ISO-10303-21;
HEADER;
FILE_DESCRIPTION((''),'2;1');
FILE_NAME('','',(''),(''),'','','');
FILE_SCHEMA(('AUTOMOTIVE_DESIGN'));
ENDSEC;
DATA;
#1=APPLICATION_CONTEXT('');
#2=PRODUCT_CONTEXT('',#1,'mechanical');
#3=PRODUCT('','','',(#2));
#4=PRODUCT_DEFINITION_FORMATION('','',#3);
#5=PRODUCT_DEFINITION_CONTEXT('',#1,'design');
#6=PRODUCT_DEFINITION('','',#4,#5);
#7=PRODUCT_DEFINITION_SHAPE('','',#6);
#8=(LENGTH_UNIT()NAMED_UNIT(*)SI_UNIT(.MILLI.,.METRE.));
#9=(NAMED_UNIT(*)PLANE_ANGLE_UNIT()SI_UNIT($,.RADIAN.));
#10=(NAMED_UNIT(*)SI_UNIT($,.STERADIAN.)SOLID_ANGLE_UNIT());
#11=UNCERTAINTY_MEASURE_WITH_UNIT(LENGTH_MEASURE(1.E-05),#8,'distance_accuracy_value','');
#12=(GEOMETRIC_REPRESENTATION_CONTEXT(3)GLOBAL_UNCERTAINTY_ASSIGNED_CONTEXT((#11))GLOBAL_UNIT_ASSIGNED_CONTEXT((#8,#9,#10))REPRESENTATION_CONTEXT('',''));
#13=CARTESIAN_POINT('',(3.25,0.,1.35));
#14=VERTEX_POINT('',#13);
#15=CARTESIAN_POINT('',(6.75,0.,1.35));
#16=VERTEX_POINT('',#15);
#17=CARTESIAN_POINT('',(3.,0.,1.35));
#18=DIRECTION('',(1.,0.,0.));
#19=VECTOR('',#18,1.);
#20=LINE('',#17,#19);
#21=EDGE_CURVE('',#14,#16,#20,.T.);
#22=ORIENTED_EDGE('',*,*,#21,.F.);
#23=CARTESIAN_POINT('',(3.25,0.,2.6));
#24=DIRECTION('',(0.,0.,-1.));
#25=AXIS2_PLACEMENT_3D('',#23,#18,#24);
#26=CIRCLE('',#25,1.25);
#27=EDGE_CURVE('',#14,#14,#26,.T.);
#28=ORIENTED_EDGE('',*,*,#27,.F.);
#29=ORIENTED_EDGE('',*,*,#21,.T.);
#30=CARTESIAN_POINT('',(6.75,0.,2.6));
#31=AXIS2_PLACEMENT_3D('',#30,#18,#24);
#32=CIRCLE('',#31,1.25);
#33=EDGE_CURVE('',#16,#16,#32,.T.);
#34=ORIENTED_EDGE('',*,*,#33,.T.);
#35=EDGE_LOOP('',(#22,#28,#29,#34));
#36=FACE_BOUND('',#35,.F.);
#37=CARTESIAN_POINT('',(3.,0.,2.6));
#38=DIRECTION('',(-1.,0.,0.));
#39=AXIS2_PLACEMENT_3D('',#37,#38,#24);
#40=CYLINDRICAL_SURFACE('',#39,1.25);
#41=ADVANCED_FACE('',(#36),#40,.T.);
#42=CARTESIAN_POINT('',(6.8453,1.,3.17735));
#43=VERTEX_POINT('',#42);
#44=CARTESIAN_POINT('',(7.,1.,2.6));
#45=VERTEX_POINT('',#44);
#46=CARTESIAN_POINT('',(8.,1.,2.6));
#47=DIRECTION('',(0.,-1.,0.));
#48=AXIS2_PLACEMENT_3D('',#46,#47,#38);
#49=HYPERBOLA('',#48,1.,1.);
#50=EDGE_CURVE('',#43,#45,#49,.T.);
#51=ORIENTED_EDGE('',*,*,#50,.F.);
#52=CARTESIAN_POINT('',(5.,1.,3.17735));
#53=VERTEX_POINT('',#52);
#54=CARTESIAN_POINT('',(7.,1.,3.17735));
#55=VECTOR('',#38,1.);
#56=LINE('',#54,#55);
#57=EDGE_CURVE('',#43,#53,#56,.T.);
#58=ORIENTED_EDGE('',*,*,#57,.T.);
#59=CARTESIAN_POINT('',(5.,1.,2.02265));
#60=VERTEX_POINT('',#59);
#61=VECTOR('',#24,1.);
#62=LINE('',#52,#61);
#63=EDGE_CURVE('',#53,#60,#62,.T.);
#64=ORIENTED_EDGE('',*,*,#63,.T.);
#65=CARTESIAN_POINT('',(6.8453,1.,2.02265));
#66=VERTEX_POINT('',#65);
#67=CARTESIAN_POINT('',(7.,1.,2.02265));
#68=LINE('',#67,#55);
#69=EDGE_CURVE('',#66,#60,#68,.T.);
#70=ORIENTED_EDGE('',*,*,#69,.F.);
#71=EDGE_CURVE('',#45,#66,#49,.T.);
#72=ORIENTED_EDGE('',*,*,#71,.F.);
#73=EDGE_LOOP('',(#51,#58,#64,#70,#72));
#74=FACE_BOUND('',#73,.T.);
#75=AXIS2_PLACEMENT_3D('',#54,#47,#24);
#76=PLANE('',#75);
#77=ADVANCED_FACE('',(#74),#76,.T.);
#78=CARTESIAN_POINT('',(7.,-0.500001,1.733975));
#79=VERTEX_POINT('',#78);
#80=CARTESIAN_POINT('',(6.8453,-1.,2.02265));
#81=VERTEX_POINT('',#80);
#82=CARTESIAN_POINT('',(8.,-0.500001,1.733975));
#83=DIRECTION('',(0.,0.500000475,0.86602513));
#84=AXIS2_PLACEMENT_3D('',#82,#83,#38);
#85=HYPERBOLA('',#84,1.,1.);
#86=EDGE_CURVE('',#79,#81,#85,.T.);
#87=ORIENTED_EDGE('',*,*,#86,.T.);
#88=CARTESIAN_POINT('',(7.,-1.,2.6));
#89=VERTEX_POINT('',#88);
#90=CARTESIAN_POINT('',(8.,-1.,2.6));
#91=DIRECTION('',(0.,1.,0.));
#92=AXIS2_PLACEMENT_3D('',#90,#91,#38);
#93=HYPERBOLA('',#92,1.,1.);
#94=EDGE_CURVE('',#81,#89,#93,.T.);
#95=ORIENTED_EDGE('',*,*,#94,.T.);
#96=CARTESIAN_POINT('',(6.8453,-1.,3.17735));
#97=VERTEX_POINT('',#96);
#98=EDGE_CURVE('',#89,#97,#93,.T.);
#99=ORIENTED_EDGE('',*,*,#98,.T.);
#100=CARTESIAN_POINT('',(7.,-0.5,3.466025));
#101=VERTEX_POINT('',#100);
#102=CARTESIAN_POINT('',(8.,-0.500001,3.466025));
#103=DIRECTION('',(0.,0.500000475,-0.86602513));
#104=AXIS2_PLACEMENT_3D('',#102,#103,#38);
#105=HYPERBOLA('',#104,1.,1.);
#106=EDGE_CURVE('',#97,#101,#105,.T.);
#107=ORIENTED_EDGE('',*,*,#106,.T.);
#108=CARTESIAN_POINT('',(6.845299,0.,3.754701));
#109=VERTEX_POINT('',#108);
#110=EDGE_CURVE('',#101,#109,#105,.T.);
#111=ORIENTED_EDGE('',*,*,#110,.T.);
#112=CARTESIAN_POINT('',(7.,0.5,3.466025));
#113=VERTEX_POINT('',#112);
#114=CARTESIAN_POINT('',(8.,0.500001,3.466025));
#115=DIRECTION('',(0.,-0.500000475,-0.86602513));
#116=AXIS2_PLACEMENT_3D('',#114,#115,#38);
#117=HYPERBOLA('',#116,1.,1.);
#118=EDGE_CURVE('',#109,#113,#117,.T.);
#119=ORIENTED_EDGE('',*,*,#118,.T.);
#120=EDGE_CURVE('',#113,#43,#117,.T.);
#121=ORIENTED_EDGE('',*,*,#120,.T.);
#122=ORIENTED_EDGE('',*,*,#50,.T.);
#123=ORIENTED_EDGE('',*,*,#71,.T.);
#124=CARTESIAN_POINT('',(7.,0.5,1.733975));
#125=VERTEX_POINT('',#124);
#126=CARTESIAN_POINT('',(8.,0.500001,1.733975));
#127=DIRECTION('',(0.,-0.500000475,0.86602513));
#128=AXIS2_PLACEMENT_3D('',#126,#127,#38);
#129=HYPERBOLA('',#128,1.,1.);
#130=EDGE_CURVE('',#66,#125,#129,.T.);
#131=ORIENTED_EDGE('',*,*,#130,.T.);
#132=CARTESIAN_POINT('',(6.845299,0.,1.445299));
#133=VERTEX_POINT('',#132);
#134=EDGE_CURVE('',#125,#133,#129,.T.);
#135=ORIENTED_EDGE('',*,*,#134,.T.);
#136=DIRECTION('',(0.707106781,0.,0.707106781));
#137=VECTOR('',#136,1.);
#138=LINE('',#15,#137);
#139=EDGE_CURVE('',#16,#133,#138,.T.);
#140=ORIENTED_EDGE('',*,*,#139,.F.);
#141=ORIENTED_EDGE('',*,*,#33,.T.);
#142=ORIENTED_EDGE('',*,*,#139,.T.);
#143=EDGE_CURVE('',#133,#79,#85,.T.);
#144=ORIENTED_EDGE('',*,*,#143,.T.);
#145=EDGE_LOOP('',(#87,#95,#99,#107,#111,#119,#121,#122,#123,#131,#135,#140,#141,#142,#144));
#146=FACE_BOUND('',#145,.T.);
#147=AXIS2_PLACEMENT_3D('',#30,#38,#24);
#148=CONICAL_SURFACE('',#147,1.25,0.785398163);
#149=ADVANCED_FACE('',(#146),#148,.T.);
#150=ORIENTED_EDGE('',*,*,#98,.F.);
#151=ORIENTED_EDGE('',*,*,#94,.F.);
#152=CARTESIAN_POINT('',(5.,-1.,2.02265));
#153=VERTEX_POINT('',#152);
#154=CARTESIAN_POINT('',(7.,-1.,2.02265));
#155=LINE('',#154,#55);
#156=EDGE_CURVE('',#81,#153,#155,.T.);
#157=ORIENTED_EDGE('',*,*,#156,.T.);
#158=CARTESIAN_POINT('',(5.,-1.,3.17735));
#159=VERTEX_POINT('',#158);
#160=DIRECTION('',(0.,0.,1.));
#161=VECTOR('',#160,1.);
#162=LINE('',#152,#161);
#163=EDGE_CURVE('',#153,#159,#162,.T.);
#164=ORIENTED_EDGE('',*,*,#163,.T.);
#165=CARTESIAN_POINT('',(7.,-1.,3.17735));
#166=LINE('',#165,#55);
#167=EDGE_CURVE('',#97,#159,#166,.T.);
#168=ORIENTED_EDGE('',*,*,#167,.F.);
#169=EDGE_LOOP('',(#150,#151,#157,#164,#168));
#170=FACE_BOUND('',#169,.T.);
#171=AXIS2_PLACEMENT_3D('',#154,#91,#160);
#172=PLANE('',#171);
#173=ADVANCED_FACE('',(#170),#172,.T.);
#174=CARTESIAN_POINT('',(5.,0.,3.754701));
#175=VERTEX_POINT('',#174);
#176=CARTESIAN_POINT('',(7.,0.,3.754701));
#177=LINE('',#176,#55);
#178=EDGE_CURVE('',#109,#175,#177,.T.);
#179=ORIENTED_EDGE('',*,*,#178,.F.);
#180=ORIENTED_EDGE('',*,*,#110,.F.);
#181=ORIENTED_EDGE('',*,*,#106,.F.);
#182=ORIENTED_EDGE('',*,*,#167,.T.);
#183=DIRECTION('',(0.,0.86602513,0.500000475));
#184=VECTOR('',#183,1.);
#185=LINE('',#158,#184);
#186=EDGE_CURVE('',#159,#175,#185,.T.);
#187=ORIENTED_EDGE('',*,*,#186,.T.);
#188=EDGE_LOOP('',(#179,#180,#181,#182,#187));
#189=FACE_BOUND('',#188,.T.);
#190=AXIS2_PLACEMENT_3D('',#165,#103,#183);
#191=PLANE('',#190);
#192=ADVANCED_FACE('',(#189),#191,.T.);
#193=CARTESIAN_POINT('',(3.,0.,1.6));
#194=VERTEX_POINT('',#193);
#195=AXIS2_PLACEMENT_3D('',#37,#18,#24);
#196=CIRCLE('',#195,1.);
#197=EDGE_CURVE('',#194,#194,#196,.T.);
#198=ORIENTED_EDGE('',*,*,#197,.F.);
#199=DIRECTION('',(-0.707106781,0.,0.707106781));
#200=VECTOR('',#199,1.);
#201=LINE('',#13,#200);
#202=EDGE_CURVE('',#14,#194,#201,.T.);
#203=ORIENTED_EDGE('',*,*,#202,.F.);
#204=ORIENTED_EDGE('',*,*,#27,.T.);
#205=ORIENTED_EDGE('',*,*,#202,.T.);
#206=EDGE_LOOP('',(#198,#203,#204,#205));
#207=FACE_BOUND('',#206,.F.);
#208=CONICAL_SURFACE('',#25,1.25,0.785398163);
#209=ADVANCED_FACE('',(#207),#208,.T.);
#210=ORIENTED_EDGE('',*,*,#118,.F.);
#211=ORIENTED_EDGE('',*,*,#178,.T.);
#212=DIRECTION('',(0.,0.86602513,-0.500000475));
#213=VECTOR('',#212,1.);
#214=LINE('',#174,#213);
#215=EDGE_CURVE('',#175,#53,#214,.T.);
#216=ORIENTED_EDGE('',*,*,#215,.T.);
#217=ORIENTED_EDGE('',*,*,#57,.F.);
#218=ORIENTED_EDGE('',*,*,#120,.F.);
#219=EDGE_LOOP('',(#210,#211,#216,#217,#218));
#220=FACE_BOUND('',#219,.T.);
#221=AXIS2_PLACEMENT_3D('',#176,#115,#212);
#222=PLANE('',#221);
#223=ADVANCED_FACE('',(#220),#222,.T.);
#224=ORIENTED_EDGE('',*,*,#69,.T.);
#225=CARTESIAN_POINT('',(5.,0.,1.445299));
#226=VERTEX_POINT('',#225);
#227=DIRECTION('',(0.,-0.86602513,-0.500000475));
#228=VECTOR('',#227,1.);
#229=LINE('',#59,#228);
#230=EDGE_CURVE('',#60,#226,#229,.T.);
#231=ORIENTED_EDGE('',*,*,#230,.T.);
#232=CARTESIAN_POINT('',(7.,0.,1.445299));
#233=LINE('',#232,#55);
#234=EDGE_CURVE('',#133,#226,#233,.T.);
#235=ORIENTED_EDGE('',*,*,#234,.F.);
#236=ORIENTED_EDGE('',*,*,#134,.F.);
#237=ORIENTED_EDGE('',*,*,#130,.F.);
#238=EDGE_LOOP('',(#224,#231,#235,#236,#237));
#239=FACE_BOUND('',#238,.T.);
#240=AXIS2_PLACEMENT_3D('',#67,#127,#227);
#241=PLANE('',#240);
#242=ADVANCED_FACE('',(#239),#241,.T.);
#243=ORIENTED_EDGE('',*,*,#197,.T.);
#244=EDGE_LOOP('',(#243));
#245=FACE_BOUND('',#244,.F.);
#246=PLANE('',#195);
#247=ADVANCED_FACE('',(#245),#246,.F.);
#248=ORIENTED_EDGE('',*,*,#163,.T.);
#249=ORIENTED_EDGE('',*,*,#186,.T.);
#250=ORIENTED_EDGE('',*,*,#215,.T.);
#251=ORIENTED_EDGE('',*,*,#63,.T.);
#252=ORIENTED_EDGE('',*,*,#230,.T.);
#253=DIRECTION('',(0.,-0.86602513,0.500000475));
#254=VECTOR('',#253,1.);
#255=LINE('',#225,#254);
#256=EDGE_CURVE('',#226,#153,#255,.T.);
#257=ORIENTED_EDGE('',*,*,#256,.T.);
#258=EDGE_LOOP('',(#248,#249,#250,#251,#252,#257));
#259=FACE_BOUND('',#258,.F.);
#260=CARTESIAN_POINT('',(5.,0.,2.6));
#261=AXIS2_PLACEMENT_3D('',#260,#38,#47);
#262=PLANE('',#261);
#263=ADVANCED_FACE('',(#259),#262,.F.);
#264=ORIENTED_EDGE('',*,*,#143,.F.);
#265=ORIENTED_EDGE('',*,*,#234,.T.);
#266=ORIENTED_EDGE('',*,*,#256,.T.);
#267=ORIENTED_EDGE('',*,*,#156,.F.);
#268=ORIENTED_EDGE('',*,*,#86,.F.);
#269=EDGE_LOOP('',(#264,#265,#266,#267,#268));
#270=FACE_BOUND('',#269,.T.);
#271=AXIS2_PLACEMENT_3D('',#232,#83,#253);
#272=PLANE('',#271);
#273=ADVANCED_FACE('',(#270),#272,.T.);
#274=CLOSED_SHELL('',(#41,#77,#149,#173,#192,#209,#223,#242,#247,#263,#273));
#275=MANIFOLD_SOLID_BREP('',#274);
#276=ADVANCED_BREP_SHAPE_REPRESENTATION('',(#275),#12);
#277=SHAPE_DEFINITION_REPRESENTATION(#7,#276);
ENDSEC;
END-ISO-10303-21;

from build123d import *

# Parameters (mm, degrees)
CYLINDER001_R           = 1.25
CYLINDER001_DEPTH       = 4
CYLINDER001_PITCH_ANGLE = 90
CHAMFER_SIZE            = 0.25
POCKET_DEPTH            = 2


with BuildPart() as part:
    # Cylinder001 → Cylinder001 (new body)
    with BuildSketch(Plane.XY):
        Circle(CYLINDER001_R)
    extrude(amount=CYLINDER001_DEPTH)


with BuildPart() as part_1:
    # Cylinder001 pitch: moved
    add(part.part.rotate(Axis((0, 0, 0), (0, 1, 0)), CYLINDER001_PITCH_ANGLE))


with BuildPart() as part_2:
    # Cylinder001 placement: moved
    add(part_1.part.moved(Location((3, 0, 2.6))))

    # Chamfer
    chamfer_edges = [part_2.edges().sort_by_distance(p)[0] for p in [
        (7, 0, 3.85),
        (3, 0, 3.85),
    ]]
    chamfer(chamfer_edges, length=CHAMFER_SIZE)

    # Sketch001 → Pocket (cut)
    with BuildSketch(Plane.YZ.offset(7)):
        Polygon((-1, 3.17735), (0, 3.754701), (1, 3.17735), (1, 2.02265), (0, 1.445299), (-1, 2.02265), align=None)
    extrude(amount=-POCKET_DEPTH, mode=Mode.SUBTRACT)


solid = part_2.part
